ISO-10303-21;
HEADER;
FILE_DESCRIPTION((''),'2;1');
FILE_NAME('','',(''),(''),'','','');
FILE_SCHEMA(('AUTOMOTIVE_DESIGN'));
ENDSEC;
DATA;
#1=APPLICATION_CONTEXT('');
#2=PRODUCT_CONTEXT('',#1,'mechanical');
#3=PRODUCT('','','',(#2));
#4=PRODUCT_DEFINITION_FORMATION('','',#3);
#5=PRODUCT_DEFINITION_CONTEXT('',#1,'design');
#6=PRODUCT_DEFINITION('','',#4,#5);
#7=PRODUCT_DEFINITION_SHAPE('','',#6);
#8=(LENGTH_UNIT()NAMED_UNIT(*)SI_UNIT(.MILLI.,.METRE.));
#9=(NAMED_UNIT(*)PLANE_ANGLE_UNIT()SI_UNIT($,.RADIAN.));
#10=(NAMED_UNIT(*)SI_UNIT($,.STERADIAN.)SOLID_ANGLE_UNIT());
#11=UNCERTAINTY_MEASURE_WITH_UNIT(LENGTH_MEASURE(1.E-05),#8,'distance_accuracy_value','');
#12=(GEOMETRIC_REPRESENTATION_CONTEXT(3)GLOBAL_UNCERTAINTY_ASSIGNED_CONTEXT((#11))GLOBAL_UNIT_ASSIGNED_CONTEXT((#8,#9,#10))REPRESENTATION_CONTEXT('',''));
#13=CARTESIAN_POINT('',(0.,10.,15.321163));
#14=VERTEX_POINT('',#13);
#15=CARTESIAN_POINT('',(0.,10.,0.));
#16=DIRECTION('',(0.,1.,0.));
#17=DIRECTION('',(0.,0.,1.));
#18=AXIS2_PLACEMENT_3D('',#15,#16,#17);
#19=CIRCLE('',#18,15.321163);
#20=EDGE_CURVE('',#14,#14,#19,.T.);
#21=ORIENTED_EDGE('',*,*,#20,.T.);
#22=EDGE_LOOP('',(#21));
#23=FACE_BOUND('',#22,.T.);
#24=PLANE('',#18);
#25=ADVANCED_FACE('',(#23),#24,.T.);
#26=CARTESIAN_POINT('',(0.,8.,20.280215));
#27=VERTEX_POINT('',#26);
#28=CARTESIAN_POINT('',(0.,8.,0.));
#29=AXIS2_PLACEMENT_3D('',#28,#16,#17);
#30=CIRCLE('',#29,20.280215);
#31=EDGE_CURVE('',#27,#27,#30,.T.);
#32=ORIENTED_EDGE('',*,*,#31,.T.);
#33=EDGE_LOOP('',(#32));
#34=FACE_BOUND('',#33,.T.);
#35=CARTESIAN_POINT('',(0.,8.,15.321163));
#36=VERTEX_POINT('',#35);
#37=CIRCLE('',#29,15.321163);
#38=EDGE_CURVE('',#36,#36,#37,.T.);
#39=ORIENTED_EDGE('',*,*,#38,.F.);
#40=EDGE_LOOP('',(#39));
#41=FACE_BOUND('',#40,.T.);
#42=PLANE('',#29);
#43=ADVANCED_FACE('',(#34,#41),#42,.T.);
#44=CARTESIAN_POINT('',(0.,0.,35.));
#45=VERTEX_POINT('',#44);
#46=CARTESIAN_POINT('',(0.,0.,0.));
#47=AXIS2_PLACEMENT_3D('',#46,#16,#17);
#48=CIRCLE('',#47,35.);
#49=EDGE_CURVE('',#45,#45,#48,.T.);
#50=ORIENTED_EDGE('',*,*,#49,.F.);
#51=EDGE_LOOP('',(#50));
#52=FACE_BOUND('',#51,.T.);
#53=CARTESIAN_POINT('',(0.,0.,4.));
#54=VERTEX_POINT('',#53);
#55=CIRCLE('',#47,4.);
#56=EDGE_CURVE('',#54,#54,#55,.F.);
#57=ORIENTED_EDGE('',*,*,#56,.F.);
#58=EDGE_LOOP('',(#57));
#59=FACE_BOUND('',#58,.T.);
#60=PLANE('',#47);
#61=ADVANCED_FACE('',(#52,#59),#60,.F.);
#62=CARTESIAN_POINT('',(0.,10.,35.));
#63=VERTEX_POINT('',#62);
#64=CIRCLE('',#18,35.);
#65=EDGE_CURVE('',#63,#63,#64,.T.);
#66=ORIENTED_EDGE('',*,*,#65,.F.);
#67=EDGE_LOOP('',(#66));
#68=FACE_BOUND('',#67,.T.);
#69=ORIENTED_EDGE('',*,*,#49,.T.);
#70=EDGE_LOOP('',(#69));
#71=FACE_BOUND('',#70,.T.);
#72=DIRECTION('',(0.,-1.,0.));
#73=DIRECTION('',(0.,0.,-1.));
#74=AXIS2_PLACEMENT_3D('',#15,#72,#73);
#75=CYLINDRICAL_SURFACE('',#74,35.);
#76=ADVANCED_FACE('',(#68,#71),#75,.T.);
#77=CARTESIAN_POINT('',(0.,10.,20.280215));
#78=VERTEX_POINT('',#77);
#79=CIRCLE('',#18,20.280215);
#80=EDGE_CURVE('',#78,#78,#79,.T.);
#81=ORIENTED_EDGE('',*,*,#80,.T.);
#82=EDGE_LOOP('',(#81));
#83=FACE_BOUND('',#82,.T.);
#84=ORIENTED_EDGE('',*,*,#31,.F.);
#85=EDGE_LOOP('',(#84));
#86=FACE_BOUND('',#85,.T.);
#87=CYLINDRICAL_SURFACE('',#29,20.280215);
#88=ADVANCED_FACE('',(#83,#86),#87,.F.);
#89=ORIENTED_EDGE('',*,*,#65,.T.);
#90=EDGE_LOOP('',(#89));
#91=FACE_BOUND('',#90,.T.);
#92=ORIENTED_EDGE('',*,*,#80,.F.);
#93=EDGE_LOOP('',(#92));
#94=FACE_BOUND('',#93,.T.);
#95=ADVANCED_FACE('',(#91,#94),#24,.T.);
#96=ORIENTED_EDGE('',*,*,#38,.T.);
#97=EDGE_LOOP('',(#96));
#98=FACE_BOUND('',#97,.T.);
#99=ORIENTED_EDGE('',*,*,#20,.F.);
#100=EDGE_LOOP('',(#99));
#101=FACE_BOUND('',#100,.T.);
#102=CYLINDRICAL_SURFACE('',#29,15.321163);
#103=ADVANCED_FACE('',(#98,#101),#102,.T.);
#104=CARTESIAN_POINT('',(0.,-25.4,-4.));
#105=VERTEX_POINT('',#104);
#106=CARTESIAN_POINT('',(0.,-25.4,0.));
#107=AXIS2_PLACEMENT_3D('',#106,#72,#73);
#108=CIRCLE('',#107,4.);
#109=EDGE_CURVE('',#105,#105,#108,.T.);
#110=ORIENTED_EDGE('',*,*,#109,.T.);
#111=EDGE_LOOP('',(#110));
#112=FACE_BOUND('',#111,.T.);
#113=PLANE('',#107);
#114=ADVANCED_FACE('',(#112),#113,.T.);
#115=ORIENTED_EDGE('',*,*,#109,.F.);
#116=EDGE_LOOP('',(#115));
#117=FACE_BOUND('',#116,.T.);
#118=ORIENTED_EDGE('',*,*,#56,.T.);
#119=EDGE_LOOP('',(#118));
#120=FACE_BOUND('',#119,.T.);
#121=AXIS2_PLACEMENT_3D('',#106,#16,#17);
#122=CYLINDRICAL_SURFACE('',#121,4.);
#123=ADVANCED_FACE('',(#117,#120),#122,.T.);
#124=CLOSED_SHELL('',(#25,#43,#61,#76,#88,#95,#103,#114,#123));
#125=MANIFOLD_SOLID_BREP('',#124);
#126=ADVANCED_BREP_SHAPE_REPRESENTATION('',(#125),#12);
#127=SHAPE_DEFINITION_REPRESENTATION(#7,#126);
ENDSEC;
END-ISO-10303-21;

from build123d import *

# Parameters (mm, degrees)
SKETCH1_R           = 35
BOSS_EXTRUDE1_DEPTH = 10
SKETCH2_R           = 20.280215245
SKETCH2_R_2         = 15.321162536
CUT_EXTRUDE1_DEPTH  = 2
SKETCH3_R           = 4
BOSS_EXTRUDE2_DEPTH = 25.4


with BuildPart() as part:
    # Sketch1 → Boss-Extrude1 (new body)
    with BuildSketch(Plane(origin=(0, 0, 0), x_dir=(1, 0, 0), z_dir=(0, 1, 0))):
        Circle(SKETCH1_R)
    extrude(amount=BOSS_EXTRUDE1_DEPTH)

    # Sketch2 → Cut-Extrude1 (cut)
    with BuildSketch(Plane(origin=(0, 10, 0), x_dir=(1, 0, 0), z_dir=(0, 1, 0))):
        Circle(SKETCH2_R)
        Circle(SKETCH2_R_2, mode=Mode.SUBTRACT)
    extrude(amount=-CUT_EXTRUDE1_DEPTH, mode=Mode.SUBTRACT)

    # Sketch3 → Boss-Extrude2 (add)
    with BuildSketch(Plane.XZ):
        Circle(SKETCH3_R)
    extrude(amount=BOSS_EXTRUDE2_DEPTH)


solid = part.part
